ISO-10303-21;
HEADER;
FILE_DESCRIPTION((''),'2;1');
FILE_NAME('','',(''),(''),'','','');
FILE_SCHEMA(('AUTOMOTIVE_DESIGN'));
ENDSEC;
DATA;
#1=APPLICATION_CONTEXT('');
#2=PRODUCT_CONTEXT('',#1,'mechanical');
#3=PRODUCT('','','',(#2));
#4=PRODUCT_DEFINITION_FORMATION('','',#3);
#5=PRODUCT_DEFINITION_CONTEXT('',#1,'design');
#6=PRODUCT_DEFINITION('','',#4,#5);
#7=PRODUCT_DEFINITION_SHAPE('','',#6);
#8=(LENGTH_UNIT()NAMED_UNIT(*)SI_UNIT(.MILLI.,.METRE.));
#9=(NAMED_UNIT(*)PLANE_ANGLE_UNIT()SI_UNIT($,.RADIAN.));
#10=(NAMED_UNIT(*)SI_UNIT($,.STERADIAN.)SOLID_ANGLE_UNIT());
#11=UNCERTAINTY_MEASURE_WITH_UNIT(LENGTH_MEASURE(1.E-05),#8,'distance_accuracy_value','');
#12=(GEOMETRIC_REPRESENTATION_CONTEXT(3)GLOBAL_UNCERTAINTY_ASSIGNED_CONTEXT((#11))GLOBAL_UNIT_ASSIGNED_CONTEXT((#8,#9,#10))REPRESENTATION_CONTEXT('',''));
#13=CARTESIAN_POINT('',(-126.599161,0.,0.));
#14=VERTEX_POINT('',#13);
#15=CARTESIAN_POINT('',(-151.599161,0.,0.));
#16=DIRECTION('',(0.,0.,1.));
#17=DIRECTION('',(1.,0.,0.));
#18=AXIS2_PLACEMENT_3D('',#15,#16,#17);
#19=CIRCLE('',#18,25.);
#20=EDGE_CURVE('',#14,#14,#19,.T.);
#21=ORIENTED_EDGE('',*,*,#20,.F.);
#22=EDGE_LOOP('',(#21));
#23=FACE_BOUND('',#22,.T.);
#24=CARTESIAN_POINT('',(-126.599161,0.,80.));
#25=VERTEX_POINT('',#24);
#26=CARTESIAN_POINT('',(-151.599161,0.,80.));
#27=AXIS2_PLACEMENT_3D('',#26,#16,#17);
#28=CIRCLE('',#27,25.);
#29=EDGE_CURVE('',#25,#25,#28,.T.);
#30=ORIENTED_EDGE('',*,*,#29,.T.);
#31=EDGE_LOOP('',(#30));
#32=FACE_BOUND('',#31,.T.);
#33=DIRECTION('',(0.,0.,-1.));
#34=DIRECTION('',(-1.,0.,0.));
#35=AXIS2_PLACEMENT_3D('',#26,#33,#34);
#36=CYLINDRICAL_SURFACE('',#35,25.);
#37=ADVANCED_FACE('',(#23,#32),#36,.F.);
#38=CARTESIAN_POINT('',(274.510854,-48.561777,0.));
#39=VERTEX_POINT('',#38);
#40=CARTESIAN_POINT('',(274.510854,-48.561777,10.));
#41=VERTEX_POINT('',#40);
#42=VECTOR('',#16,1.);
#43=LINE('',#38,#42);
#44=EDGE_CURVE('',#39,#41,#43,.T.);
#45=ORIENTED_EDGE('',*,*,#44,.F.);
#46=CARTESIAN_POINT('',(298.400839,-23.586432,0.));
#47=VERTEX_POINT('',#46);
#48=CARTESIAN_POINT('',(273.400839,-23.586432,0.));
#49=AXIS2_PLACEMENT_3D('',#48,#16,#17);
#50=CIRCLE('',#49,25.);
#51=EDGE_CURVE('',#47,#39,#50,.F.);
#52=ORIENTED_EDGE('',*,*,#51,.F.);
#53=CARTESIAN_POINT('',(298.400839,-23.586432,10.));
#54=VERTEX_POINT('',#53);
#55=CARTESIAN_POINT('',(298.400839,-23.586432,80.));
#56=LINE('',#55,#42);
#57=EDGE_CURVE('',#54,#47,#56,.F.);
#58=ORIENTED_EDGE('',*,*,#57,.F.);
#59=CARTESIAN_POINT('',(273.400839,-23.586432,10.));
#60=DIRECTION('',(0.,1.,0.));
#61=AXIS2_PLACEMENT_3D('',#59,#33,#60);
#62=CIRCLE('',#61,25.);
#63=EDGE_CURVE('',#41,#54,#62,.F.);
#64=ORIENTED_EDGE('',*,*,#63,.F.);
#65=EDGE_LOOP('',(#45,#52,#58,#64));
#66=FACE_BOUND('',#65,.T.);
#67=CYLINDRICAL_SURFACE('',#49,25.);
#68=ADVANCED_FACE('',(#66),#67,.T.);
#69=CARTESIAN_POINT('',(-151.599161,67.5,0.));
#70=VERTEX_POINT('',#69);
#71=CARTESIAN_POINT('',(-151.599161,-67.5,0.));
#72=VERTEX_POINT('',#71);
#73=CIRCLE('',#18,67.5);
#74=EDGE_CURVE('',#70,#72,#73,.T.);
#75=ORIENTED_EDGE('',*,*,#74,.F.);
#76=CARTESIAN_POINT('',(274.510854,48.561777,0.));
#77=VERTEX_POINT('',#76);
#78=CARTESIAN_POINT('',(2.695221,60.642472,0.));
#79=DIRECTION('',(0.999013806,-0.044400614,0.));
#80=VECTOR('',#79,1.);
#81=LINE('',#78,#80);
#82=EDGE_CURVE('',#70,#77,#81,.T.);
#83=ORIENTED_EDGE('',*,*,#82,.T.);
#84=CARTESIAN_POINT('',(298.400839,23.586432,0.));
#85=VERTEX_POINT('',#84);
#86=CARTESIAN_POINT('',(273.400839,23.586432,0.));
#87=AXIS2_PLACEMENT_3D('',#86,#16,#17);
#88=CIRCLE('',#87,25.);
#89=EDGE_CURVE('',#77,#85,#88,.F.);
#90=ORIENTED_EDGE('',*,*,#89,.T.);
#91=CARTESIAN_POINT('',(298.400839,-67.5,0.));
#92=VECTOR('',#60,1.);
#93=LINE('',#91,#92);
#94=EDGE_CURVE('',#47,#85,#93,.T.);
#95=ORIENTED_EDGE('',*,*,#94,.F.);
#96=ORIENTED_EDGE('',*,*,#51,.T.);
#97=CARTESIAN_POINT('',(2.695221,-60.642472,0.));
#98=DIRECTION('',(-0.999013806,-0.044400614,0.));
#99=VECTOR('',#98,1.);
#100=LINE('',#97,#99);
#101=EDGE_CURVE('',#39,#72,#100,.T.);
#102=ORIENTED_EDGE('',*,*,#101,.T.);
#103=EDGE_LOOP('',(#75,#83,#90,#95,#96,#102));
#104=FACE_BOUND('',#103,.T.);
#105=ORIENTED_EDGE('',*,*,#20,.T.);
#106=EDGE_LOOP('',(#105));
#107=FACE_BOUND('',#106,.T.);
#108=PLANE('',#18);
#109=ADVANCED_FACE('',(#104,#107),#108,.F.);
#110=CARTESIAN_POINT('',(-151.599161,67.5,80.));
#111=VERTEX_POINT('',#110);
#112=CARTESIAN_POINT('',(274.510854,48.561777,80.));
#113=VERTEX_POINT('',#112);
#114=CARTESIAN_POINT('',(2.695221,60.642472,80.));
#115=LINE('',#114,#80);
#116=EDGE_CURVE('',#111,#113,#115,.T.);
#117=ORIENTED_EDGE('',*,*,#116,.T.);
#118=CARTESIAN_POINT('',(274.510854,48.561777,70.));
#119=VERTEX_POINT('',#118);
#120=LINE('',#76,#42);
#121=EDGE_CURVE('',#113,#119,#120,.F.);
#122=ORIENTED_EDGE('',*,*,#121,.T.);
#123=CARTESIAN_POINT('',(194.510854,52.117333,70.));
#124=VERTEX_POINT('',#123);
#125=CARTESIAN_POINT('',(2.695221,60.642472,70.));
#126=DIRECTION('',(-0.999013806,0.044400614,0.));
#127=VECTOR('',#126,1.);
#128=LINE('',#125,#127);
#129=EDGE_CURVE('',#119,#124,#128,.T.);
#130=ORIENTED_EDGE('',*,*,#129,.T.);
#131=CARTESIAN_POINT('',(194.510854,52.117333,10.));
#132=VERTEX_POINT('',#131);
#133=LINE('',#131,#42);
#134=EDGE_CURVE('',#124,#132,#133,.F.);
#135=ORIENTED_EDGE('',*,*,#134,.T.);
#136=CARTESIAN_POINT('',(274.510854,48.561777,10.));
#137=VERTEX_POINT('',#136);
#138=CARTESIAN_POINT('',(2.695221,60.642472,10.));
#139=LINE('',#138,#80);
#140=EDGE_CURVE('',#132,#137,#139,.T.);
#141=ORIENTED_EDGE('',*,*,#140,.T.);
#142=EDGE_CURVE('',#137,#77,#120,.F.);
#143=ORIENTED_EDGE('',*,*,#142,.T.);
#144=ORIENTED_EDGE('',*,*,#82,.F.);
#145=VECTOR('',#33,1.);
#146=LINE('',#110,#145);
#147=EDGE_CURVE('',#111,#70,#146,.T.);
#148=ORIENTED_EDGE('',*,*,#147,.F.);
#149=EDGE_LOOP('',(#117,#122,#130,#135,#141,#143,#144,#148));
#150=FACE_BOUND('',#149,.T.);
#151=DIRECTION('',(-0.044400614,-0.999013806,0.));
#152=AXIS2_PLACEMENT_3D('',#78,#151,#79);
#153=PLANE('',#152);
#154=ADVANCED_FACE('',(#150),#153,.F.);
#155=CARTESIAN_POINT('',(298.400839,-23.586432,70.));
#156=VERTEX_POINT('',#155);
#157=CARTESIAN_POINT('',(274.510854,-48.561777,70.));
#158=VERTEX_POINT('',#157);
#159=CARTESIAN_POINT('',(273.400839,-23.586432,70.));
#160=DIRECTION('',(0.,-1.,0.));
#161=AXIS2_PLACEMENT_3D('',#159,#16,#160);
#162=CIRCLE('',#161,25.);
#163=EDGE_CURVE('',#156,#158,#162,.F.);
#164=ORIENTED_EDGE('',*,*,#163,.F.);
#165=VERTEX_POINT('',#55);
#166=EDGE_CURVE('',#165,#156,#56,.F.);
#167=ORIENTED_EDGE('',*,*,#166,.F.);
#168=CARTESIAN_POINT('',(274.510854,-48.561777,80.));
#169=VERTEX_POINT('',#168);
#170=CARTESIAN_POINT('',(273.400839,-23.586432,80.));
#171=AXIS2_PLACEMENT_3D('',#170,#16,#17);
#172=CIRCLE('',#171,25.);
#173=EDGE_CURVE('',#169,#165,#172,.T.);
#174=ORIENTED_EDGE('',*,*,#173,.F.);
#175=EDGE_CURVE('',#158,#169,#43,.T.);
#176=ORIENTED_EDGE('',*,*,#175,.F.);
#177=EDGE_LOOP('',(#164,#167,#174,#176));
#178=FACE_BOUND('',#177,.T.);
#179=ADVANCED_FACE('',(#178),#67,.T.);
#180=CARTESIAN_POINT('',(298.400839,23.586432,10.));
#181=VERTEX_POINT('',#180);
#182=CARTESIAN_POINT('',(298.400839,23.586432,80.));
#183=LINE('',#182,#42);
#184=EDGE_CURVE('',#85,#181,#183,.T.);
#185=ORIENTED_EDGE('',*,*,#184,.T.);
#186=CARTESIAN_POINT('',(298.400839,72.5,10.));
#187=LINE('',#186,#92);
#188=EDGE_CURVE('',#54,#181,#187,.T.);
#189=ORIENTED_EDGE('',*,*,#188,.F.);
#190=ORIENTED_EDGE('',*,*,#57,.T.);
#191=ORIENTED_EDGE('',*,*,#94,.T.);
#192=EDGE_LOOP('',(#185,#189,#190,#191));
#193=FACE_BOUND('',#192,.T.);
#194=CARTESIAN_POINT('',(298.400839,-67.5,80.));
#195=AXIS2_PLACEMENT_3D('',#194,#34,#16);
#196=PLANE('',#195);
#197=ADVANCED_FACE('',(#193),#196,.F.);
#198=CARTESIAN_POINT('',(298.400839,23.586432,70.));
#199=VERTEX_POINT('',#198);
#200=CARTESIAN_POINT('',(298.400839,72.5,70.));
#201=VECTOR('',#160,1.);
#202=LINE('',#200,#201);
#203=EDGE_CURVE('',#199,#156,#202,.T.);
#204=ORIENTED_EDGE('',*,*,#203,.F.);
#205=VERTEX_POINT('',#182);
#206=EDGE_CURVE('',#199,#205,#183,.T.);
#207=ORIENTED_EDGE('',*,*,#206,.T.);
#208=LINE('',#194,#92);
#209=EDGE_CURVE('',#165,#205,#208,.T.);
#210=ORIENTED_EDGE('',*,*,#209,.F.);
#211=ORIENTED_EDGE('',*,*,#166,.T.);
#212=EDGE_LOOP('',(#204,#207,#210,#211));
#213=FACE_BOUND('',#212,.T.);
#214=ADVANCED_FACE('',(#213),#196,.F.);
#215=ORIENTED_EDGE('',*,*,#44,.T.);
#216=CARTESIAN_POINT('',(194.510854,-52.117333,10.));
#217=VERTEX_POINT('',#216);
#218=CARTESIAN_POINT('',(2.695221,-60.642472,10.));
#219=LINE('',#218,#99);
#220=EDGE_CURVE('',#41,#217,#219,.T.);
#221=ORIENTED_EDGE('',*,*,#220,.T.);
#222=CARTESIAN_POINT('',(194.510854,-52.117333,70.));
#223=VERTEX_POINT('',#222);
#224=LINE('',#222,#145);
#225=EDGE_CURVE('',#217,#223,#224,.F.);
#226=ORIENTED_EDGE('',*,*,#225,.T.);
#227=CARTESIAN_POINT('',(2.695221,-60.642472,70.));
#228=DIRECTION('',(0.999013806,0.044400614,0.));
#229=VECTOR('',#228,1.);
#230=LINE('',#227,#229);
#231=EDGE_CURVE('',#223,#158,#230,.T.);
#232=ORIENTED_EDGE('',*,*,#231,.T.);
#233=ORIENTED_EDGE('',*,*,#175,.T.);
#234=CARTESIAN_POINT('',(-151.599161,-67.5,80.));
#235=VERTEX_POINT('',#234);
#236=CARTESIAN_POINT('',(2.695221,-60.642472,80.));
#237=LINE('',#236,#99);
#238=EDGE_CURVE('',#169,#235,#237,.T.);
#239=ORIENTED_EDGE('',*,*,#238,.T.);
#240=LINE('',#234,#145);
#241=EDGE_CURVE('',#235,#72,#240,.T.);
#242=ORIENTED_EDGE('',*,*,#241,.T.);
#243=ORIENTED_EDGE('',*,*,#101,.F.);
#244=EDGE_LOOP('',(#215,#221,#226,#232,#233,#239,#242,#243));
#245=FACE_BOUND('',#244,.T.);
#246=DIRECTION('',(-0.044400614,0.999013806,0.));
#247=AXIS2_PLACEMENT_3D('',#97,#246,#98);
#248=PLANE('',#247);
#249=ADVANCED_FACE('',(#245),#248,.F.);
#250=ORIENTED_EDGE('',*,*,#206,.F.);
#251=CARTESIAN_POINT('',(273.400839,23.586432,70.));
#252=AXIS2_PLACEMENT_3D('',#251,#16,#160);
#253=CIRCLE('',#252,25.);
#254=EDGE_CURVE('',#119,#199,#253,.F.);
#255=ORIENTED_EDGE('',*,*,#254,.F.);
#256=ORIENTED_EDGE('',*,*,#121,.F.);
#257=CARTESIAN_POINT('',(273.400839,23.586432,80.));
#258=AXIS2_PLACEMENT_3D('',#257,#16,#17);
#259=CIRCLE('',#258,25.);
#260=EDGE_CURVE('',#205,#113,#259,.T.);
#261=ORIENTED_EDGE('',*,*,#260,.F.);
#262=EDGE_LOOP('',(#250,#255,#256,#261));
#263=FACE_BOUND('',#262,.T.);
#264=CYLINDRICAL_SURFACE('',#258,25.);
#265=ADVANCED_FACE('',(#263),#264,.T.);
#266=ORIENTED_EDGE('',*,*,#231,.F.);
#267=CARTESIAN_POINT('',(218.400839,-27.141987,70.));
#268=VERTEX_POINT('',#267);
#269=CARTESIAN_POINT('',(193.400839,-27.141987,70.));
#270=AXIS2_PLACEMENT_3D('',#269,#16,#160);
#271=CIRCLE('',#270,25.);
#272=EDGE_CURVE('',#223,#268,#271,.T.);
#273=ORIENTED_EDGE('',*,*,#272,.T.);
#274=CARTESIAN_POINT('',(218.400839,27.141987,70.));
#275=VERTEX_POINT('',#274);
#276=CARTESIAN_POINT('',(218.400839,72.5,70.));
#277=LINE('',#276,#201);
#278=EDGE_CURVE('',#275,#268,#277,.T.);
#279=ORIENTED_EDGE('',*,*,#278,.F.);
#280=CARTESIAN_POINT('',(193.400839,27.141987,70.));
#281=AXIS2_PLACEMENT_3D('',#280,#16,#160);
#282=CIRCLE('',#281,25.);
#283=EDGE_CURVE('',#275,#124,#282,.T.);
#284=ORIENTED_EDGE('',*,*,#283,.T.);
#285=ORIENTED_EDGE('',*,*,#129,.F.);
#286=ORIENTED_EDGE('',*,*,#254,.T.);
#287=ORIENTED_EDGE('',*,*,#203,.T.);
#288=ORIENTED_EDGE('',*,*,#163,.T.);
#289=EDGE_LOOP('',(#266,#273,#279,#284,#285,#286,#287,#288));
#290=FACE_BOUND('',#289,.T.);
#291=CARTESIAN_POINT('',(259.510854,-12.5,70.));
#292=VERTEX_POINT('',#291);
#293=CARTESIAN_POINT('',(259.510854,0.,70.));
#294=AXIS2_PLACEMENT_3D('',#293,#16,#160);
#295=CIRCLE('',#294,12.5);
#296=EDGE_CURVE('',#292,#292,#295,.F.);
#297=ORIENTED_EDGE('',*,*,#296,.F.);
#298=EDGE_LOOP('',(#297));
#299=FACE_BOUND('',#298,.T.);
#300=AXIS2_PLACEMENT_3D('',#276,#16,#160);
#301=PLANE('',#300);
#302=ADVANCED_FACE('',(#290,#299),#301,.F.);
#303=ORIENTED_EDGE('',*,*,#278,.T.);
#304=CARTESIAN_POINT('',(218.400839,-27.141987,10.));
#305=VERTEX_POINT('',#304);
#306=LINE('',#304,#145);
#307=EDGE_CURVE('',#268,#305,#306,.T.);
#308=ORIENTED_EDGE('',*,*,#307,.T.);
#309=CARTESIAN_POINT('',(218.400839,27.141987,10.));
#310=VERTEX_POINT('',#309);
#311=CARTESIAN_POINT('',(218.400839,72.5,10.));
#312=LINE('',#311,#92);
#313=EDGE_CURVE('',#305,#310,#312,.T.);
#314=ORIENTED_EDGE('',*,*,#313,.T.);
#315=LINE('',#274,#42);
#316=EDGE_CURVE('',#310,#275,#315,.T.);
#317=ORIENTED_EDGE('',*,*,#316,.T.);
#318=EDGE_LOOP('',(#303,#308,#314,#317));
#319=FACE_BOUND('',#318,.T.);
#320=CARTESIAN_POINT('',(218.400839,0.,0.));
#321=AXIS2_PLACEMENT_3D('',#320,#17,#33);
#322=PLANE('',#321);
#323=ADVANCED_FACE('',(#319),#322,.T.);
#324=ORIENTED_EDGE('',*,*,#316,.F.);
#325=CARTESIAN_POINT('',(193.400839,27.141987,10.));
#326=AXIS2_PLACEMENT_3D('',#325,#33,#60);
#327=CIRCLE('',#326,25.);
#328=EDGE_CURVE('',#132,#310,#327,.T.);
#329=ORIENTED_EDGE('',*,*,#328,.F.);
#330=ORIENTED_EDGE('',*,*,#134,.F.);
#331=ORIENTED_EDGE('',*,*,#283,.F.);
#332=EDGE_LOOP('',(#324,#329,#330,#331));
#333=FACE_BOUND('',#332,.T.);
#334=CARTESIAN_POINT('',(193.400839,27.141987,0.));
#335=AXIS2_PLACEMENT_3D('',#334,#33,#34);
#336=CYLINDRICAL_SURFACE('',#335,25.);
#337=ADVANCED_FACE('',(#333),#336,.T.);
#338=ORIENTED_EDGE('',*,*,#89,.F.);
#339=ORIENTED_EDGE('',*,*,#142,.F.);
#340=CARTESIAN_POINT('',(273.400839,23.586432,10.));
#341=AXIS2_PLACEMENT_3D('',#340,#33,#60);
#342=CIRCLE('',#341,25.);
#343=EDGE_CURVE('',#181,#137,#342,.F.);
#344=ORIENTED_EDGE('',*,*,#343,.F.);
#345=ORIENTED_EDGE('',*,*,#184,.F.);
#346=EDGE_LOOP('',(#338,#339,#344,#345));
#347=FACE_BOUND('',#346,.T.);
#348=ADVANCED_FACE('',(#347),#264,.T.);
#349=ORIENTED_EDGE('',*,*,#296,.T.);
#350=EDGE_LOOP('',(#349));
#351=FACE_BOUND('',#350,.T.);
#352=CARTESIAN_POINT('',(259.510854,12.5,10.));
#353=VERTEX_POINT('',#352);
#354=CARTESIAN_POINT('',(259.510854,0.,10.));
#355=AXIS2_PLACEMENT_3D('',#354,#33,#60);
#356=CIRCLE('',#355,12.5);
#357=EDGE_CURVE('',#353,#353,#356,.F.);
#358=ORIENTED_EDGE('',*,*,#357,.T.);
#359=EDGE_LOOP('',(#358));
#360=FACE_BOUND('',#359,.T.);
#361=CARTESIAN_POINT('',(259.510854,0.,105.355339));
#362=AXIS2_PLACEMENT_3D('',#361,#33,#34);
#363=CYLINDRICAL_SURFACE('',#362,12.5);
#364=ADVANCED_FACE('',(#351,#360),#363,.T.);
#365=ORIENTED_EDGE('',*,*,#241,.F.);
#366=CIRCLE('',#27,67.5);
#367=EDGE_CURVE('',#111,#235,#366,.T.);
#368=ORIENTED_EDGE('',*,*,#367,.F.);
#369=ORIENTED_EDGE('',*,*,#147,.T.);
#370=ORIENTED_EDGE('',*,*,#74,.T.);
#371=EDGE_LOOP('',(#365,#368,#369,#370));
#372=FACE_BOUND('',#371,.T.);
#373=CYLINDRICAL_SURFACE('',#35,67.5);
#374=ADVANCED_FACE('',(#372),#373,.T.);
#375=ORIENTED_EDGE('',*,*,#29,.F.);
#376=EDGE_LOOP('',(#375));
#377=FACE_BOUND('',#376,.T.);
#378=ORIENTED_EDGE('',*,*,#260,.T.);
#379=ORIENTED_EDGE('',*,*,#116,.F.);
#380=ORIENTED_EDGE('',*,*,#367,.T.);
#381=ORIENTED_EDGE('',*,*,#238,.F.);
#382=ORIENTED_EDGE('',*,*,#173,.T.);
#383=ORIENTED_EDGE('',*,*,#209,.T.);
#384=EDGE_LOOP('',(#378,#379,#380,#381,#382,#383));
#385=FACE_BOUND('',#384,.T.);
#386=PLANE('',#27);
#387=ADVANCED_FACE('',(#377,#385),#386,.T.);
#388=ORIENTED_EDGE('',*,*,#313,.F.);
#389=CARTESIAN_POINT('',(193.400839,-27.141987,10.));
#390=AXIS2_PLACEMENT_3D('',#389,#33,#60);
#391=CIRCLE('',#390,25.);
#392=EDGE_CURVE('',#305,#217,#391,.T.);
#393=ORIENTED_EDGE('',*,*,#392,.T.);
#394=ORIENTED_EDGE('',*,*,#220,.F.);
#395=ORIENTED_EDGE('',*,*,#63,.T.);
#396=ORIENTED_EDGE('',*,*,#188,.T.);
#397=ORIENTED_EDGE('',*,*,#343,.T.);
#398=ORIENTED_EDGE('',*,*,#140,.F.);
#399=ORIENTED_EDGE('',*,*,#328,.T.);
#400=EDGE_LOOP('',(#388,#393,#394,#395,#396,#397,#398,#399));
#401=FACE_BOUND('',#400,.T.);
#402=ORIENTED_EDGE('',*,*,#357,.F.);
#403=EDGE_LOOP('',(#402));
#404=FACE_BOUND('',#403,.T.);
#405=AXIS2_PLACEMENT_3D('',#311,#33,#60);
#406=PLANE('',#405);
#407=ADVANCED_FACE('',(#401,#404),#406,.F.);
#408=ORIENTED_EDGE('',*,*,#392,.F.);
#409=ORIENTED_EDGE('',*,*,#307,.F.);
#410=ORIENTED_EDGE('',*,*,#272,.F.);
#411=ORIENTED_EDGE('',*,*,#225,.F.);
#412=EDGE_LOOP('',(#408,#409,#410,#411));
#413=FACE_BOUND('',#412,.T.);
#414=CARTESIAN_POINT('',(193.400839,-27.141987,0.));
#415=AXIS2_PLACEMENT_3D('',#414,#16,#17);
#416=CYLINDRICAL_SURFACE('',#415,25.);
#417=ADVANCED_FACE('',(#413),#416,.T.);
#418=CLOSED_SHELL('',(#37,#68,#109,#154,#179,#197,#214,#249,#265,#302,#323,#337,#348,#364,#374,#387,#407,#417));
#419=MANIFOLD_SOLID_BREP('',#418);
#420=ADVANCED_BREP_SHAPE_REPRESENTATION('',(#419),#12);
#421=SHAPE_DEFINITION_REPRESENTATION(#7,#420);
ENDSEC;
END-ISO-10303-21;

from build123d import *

# Parameters (mm, degrees)
SKETCH1_R           = 25
BOSS_EXTRUDE1_DEPTH = 80
CUT_EXTRUDE1_DEPTH  = 80
SKETCH4_W           = 60
SKETCH4_H           = 145
CUT_EXTRUDE2_DEPTH  = 80
FILLET1_R           = 25
FILLET2_R           = 25
SKETCH5_R           = 12.5
BOSS_EXTRUDE2_DEPTH = 60


with BuildPart() as part:
    # Sketch1 → Boss-Extrude1 (new body)
    with BuildSketch(Plane.XY):
        with BuildLine():
            Line((-151.599161153, -67.5), (298.400838847, -67.5))
            Line((298.400838847, -67.5), (298.400838847, 67.5))
            Line((298.400838847, 67.5), (-151.599161153, 67.5))
            ThreePointArc((-151.599161153, 67.5), (-219.099161153, 0), (-151.599161153, -67.5))
        make_face()
        with Locations((-151.599161153, 0)):
            Circle(SKETCH1_R, mode=Mode.SUBTRACT)
    extrude(amount=BOSS_EXTRUDE1_DEPTH)

    # Sketch3 → Cut-Extrude1 (cut)
    with BuildSketch(Plane.XY.offset(80)):
        Polygon((298.400838847, 67.5), (-151.599161153, 67.5), (298.400838847, 47.5), align=None)
        Polygon((298.400838847, -67.5), (298.400838847, -47.5), (-151.599161153, -67.5), align=None)
    extrude(amount=-CUT_EXTRUDE1_DEPTH, mode=Mode.SUBTRACT)

    # Sketch4 → Cut-Extrude2 (cut)
    with BuildSketch(Plane(origin=(298.400838847, 0, 0), x_dir=(0, 0, -1), z_dir=(1, 0, 0))):
        with Locations((-40, 0)):
            Rectangle(SKETCH4_W, SKETCH4_H)
    extrude(amount=-CUT_EXTRUDE2_DEPTH, mode=Mode.SUBTRACT)

    # Fillet1
    fillet1_edges = [part.edges().sort_by_distance(p)[0] for p in [
        (218.400838847, -51.055555556, 40),
        (218.400838847, 51.055555556, 40),
    ]]
    fillet(fillet1_edges, radius=FILLET1_R)

    # Fillet2
    fillet2_edges = [part.edges().sort_by_distance(p)[0] for p in [
        (298.400838847, 47.5, 5),
        (298.400838847, -47.5, 5),
        (298.400838847, -47.5, 75),
        (298.400838847, 47.5, 75),
    ]]
    fillet(fillet2_edges, radius=FILLET2_R)

    # Sketch5 → Boss-Extrude2 (add)
    with BuildSketch(Plane.XY.offset(10)):
        with Locations(Location((259.510854188, 0, 0), (0, 0, 90))):
            Circle(SKETCH5_R)
    extrude(amount=BOSS_EXTRUDE2_DEPTH)


solid = part.part
